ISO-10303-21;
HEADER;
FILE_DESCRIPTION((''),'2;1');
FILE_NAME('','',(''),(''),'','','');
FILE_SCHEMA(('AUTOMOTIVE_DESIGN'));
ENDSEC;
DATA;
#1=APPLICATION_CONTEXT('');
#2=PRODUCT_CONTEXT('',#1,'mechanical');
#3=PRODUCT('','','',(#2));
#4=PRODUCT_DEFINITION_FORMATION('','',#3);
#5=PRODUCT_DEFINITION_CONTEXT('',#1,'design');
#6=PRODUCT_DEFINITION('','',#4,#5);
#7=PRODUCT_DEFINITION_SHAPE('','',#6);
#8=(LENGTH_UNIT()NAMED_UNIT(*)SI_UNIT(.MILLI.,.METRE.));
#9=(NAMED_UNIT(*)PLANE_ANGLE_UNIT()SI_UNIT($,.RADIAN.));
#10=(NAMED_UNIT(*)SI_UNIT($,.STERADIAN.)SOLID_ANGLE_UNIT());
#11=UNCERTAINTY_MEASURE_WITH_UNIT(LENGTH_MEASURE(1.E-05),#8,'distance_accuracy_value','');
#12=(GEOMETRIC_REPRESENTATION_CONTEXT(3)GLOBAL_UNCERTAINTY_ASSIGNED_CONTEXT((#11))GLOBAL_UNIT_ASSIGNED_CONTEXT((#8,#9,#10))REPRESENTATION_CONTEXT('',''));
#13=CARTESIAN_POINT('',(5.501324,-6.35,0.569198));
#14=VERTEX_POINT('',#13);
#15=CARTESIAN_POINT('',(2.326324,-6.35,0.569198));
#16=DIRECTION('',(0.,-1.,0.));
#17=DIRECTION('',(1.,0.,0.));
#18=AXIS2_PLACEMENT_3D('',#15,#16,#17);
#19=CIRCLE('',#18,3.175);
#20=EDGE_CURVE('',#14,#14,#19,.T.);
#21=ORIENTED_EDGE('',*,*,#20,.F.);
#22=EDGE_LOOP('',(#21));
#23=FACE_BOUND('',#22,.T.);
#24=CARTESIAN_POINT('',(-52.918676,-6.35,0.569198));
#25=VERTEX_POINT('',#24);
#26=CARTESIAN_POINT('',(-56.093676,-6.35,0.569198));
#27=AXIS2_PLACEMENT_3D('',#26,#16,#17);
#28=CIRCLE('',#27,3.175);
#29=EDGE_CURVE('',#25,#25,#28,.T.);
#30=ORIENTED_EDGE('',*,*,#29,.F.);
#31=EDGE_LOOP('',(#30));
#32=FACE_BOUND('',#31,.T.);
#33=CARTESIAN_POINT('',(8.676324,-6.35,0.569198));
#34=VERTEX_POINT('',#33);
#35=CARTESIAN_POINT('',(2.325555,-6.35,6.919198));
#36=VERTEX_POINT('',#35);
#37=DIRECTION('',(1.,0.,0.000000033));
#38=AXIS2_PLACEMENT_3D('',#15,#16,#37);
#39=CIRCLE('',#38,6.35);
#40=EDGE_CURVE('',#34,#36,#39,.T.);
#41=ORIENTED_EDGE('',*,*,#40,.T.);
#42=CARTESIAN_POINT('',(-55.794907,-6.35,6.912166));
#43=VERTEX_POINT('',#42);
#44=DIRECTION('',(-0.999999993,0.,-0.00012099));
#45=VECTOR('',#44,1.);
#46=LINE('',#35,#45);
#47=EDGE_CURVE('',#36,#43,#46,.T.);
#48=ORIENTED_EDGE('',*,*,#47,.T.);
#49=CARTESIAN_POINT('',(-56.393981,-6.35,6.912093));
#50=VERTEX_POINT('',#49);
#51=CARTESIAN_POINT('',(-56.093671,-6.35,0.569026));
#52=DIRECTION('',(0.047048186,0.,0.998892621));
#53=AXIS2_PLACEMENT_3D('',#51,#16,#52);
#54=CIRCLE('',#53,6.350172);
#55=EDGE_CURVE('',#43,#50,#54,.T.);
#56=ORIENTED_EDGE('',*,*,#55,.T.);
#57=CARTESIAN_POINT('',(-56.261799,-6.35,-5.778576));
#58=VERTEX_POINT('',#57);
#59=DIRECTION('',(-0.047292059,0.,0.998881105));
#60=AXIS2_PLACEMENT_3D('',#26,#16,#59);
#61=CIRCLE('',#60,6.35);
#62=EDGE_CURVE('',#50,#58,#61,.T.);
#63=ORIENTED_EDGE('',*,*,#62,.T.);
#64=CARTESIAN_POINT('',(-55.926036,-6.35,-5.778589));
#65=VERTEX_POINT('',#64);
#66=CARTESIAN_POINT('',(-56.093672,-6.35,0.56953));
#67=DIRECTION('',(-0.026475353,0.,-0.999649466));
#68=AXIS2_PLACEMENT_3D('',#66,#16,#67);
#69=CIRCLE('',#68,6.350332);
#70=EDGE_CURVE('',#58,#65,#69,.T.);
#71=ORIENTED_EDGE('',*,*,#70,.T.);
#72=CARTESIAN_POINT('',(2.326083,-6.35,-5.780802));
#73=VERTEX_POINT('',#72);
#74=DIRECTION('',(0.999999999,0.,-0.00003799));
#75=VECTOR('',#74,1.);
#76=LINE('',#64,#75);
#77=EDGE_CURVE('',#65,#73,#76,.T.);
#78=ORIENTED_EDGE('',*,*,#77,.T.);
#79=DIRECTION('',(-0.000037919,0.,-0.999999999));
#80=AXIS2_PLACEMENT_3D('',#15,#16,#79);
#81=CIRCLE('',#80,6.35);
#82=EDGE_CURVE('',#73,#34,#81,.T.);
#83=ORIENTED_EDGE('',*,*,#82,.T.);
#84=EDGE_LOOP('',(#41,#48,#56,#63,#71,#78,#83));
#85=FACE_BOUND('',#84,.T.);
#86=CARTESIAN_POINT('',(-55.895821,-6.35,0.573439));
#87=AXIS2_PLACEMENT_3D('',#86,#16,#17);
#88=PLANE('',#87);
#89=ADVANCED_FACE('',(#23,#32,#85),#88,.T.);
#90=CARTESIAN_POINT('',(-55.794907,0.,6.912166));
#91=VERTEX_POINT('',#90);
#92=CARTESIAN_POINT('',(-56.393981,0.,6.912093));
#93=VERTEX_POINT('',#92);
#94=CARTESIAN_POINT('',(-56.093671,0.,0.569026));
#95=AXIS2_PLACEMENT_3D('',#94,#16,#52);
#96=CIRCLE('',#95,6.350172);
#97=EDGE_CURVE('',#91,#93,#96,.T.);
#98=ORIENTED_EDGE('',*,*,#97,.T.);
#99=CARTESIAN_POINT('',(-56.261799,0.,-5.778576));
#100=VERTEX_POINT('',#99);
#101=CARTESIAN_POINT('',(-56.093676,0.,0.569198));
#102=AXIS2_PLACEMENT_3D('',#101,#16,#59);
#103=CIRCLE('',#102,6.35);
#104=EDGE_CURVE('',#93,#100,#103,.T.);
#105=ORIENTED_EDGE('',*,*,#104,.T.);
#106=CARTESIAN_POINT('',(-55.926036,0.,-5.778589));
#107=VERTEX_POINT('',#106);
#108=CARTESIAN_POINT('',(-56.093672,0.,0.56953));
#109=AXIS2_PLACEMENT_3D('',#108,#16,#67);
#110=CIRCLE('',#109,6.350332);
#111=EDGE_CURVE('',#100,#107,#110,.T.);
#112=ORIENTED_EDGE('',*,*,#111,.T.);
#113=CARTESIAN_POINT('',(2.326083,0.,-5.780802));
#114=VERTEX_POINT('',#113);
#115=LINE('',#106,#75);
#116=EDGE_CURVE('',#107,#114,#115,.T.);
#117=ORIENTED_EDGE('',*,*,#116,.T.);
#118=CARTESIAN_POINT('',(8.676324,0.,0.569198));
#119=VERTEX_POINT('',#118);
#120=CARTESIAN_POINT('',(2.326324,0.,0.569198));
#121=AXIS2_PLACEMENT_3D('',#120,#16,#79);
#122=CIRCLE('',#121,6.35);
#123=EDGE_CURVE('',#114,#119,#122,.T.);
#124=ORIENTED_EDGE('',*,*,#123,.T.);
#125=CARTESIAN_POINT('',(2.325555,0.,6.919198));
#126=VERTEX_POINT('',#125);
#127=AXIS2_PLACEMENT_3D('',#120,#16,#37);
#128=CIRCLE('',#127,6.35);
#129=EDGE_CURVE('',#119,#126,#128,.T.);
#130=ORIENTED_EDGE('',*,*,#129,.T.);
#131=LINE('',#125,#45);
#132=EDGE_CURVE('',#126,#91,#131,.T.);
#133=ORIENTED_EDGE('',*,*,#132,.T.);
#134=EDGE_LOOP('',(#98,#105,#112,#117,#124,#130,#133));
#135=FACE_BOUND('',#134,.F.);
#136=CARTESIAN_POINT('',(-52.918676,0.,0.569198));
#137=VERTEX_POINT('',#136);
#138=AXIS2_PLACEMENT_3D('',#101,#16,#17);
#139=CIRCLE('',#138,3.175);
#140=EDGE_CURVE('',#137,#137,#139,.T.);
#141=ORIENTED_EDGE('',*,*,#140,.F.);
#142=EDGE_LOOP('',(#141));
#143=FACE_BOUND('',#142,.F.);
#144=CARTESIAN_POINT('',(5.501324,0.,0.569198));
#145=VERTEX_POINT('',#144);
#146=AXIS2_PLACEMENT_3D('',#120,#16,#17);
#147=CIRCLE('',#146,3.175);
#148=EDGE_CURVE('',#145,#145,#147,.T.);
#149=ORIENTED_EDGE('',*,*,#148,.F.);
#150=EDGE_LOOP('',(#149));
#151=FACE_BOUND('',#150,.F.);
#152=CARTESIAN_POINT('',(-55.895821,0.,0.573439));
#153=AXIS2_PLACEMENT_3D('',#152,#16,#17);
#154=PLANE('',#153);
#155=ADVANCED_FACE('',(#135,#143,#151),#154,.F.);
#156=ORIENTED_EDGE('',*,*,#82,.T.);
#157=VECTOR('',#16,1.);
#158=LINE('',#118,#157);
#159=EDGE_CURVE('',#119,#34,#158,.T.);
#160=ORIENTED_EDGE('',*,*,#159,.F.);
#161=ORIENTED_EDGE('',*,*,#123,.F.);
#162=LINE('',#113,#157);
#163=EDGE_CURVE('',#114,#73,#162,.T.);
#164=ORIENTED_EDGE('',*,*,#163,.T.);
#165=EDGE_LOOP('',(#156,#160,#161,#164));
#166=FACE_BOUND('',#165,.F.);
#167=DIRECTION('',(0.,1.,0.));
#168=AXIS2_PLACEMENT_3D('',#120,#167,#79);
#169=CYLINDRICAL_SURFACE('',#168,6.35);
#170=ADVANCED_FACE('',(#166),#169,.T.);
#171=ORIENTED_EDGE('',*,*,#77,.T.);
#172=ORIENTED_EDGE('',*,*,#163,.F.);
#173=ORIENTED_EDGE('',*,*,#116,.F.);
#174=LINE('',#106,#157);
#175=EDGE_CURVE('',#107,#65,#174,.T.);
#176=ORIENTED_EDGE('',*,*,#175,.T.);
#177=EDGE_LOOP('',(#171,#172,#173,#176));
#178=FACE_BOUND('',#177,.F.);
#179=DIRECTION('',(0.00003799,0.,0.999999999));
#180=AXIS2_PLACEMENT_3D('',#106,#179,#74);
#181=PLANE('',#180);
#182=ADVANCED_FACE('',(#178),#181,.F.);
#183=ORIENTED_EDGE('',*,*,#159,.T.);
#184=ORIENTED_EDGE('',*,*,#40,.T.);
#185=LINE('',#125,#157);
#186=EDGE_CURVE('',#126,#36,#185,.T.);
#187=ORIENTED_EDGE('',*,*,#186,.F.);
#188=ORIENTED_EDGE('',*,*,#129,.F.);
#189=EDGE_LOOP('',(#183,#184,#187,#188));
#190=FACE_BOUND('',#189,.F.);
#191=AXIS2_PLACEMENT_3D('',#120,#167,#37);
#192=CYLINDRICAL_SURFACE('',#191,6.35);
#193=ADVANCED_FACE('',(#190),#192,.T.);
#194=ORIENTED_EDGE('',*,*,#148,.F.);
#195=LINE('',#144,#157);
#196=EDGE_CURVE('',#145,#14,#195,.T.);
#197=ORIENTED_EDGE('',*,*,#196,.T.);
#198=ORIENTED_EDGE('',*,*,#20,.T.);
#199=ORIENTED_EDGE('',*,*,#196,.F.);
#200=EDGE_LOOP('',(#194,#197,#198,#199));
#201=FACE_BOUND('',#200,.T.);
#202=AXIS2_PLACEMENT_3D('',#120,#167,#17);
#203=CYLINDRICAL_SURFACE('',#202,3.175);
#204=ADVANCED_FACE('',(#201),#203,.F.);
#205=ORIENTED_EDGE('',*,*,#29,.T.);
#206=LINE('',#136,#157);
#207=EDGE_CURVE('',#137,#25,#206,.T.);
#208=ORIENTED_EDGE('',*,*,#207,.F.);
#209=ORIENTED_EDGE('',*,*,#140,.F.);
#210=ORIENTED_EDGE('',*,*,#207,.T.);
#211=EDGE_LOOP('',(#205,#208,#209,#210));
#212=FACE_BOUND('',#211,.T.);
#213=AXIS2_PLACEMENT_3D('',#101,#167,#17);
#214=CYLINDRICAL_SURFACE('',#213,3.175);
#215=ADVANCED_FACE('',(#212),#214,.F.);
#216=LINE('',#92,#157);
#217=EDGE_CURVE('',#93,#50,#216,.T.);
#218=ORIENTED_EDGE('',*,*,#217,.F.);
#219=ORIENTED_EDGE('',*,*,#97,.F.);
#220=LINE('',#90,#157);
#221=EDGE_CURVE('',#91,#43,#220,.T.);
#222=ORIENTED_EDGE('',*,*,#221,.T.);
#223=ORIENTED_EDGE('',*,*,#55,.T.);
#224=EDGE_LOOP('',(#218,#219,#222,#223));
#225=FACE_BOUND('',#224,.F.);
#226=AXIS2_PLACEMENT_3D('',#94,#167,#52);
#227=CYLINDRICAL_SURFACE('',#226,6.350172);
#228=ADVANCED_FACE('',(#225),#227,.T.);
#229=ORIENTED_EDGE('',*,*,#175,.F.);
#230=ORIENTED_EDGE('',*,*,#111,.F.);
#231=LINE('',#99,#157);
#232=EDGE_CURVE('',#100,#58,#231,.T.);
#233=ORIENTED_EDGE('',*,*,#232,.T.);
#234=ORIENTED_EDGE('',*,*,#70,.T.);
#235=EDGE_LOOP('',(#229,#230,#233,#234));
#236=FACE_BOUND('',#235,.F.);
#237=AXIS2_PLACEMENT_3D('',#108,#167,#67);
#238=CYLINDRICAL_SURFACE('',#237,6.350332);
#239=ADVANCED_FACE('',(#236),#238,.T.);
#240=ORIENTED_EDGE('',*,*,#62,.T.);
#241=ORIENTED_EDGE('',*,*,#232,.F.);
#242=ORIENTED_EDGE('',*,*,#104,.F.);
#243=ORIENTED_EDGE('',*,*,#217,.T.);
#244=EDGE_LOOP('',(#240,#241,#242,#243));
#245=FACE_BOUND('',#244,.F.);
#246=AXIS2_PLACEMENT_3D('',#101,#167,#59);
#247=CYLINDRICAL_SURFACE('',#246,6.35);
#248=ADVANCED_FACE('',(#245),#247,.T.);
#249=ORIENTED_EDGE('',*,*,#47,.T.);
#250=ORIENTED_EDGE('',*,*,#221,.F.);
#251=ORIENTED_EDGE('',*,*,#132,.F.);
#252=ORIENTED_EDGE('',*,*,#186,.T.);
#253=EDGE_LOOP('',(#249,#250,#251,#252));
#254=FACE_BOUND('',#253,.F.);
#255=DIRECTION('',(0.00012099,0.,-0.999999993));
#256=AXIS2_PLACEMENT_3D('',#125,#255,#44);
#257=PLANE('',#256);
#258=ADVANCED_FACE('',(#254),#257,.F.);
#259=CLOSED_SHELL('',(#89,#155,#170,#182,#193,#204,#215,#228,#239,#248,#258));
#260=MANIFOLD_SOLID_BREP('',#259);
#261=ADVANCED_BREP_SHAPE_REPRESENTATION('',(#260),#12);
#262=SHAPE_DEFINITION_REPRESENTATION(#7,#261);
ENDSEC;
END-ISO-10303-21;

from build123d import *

# Parameters (mm, degrees)
F0_R     = 3.175
F1_DEPTH = 6.35


with BuildPart() as f1:
    # F0 (on Front) → F1 (new body)
    with BuildSketch(Plane.XZ):
        with BuildLine():
            Line((-55.794907, 6.912166), (-56.393981, 6.912093))
            ThreePointArc((-56.393981, 6.912093), (-62.443332, 0.503062), (-56.261799, -5.778576))
            Line((-56.261799, -5.778576), (-55.926036, -5.778589))
            ThreePointArc((-55.926036, -5.778589), (-51.544664, -3.861264), (-49.743676, 0.569198))
            ThreePointArc((-49.743676, 0.569198), (-51.499131, 4.952423), (-55.794907, 6.912166))
        make_face()
        with Locations((-56.093676, 0.569198)):
            Circle(F0_R, mode=Mode.SUBTRACT)
        with BuildLine():
            ThreePointArc((-55.794907, 6.912166), (-56.094445, 6.919198), (-56.393981, 6.912093))
            Line((-56.393981, 6.912093), (-55.794907, 6.912166))
        make_face()
        with BuildLine():
            Line((-55.926036, -5.778589), (-56.261799, -5.778576))
            ThreePointArc((-56.261799, -5.778576), (-56.093917, -5.780802), (-55.926036, -5.778589))
        make_face()
        with BuildLine():
            Line((2.325555, 6.919198), (-55.794907, 6.912166))
            ThreePointArc((-55.794907, 6.912166), (-51.499131, 4.952423), (-49.743676, 0.569198))
            ThreePointArc((-49.743676, 0.569198), (-51.544664, -3.861264), (-55.926036, -5.778589))
            Line((-55.926036, -5.778589), (2.326083, -5.780802))
            ThreePointArc((2.326083, -5.780802), (-4.023676, 0.568935), (2.325555, 6.919198))
        make_face()
        with BuildLine():
            ThreePointArc((8.676324, 0.569198), (6.81618, 5.059598), (2.325555, 6.919198))
            ThreePointArc((2.325555, 6.919198), (-4.023676, 0.568935), (2.326083, -5.780802))
            ThreePointArc((2.326083, -5.780802), (6.816367, -3.921015), (8.676324, 0.569198))
        make_face()
        with Locations((2.326324, 0.569198)):
            Circle(F0_R, mode=Mode.SUBTRACT)
    extrude(amount=F1_DEPTH)


solid = f1.part
